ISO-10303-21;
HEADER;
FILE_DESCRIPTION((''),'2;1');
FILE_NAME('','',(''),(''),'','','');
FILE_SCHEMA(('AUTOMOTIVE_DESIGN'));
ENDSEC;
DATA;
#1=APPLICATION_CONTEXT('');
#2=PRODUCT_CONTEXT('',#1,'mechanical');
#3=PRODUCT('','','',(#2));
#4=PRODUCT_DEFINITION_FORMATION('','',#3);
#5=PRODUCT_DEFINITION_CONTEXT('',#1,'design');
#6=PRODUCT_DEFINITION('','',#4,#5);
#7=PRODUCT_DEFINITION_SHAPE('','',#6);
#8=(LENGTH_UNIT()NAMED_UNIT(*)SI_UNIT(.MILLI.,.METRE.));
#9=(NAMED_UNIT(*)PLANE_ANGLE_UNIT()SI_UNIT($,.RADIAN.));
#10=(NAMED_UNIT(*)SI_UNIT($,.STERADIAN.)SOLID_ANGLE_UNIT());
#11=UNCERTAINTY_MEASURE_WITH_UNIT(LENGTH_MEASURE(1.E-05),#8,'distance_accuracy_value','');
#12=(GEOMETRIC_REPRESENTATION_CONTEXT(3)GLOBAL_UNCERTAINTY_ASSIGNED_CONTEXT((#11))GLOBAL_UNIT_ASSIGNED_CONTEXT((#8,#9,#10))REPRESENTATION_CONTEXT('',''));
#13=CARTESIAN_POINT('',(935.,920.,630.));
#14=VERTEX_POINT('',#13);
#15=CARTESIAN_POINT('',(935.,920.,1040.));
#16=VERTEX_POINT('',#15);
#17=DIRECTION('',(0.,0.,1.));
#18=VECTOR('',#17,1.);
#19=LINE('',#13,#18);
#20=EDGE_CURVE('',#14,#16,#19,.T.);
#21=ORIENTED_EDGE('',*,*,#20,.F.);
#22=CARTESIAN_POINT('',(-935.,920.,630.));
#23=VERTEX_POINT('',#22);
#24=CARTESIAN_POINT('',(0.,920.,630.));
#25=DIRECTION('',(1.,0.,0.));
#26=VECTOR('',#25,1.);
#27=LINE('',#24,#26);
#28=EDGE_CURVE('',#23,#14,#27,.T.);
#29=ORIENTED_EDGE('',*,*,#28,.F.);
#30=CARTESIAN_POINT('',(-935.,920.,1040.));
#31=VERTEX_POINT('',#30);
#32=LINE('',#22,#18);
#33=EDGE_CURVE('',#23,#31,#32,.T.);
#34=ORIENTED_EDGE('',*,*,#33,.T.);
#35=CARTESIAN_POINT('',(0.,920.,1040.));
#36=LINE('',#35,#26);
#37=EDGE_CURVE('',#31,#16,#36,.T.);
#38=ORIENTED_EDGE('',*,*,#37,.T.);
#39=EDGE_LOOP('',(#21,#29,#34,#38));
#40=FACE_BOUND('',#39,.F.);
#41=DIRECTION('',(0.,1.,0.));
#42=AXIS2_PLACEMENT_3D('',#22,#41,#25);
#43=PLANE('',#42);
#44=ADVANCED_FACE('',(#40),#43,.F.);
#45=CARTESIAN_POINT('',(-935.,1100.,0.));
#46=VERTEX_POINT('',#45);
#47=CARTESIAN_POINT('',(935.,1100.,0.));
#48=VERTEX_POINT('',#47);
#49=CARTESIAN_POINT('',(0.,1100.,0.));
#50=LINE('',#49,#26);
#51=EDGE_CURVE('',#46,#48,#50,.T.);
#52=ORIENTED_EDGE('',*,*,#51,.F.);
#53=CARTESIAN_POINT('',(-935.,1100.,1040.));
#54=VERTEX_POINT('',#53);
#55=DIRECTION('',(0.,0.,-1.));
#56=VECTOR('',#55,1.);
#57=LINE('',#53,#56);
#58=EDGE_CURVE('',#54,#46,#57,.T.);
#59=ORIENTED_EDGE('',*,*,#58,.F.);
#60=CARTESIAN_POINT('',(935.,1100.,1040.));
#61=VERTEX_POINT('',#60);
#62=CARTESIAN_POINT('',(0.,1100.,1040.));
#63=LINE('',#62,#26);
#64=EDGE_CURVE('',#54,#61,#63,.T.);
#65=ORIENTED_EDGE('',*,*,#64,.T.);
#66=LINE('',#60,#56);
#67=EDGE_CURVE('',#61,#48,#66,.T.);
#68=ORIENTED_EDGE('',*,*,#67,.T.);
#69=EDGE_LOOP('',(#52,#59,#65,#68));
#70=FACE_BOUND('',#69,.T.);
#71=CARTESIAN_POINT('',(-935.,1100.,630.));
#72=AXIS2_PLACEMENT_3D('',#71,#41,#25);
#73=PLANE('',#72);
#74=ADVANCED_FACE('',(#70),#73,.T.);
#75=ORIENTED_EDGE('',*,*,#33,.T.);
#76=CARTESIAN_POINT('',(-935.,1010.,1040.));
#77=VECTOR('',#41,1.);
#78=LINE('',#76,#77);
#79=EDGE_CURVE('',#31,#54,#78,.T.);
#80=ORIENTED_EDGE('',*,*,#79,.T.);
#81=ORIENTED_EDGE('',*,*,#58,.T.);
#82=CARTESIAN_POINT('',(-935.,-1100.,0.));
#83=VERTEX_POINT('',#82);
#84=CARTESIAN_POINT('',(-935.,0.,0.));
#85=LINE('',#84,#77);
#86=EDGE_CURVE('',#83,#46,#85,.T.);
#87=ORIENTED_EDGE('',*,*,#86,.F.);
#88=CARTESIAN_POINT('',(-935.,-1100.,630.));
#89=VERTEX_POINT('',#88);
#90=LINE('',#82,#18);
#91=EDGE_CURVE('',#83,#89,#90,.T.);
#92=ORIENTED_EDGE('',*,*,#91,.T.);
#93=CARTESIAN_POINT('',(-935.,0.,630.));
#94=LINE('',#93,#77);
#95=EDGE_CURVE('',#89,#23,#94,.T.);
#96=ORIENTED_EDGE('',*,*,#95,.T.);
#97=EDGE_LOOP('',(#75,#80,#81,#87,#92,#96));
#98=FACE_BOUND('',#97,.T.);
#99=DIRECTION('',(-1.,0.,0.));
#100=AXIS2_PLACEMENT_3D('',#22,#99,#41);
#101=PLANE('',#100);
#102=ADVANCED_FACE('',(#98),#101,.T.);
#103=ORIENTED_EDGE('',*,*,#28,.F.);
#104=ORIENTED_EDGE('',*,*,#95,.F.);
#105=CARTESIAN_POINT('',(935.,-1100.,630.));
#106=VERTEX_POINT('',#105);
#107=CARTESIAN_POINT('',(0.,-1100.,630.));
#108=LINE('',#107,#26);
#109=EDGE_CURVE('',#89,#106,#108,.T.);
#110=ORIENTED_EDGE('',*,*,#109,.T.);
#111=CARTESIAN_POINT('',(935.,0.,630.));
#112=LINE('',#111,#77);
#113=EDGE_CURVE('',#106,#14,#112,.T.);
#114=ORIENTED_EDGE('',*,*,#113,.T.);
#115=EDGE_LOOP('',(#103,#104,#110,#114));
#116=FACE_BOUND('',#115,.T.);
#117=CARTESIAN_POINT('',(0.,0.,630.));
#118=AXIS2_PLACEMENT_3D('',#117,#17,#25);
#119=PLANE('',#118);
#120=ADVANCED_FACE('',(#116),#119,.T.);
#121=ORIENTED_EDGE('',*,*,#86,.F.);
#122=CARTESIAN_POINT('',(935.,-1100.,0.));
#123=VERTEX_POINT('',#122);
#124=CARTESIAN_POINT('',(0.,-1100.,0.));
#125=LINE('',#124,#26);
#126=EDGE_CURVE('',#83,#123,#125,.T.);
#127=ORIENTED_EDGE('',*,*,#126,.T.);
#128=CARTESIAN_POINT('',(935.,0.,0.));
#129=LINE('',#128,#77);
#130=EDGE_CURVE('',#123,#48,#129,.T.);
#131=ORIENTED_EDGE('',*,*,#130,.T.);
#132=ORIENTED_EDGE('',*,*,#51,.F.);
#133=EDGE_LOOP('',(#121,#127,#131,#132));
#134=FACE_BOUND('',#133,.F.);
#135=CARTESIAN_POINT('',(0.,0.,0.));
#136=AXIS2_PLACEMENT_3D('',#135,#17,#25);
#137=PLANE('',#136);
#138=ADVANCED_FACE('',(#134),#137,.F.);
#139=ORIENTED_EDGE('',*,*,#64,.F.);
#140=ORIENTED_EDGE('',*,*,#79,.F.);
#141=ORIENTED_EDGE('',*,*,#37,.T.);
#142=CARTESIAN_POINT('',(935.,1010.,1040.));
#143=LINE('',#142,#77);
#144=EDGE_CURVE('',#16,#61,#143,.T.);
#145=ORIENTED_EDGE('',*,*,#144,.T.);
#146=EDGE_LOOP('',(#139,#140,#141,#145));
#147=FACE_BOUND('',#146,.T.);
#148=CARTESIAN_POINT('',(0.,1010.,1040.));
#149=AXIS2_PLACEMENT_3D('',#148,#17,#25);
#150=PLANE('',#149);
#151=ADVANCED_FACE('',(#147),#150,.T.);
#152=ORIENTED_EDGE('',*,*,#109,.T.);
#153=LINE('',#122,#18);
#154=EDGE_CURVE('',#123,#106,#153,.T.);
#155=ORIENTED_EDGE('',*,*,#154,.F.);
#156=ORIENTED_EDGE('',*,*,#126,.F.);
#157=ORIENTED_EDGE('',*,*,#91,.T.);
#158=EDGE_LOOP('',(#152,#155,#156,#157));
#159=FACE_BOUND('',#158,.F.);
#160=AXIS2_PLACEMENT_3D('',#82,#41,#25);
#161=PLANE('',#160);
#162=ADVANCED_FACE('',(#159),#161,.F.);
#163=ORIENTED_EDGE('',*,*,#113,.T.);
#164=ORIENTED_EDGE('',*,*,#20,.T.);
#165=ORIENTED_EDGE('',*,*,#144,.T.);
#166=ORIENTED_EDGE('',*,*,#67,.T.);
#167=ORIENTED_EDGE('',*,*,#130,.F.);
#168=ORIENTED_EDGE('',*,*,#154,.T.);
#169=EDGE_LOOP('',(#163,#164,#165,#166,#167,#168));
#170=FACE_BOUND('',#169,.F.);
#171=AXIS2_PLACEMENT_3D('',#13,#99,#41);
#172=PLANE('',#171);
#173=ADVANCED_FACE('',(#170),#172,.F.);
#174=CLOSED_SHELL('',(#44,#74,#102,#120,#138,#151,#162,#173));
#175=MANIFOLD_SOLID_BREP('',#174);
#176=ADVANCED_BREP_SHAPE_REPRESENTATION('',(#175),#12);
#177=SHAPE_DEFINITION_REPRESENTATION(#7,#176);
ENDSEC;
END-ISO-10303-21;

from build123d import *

# Parameters (mm, degrees)
SKETCH_W     = 1870
SKETCH_H     = 2200
PAD_DEPTH    = 630
SKETCH001_W  = 1870
SKETCH001_H  = 180
PAD001_DEPTH = 410


with BuildPart() as part:
    # Sketch → Pad (new body)
    with BuildSketch(Plane.XY):
        Rectangle(SKETCH_W, SKETCH_H)
    extrude(amount=PAD_DEPTH)

    # Sketch001 (on Face6 of Pad) → Pad001 (join)
    with BuildSketch(Plane.XY.offset(630)):
        with Locations((0, 1010)):
            Rectangle(SKETCH001_W, SKETCH001_H)
    extrude(amount=PAD001_DEPTH)


solid = part.part
